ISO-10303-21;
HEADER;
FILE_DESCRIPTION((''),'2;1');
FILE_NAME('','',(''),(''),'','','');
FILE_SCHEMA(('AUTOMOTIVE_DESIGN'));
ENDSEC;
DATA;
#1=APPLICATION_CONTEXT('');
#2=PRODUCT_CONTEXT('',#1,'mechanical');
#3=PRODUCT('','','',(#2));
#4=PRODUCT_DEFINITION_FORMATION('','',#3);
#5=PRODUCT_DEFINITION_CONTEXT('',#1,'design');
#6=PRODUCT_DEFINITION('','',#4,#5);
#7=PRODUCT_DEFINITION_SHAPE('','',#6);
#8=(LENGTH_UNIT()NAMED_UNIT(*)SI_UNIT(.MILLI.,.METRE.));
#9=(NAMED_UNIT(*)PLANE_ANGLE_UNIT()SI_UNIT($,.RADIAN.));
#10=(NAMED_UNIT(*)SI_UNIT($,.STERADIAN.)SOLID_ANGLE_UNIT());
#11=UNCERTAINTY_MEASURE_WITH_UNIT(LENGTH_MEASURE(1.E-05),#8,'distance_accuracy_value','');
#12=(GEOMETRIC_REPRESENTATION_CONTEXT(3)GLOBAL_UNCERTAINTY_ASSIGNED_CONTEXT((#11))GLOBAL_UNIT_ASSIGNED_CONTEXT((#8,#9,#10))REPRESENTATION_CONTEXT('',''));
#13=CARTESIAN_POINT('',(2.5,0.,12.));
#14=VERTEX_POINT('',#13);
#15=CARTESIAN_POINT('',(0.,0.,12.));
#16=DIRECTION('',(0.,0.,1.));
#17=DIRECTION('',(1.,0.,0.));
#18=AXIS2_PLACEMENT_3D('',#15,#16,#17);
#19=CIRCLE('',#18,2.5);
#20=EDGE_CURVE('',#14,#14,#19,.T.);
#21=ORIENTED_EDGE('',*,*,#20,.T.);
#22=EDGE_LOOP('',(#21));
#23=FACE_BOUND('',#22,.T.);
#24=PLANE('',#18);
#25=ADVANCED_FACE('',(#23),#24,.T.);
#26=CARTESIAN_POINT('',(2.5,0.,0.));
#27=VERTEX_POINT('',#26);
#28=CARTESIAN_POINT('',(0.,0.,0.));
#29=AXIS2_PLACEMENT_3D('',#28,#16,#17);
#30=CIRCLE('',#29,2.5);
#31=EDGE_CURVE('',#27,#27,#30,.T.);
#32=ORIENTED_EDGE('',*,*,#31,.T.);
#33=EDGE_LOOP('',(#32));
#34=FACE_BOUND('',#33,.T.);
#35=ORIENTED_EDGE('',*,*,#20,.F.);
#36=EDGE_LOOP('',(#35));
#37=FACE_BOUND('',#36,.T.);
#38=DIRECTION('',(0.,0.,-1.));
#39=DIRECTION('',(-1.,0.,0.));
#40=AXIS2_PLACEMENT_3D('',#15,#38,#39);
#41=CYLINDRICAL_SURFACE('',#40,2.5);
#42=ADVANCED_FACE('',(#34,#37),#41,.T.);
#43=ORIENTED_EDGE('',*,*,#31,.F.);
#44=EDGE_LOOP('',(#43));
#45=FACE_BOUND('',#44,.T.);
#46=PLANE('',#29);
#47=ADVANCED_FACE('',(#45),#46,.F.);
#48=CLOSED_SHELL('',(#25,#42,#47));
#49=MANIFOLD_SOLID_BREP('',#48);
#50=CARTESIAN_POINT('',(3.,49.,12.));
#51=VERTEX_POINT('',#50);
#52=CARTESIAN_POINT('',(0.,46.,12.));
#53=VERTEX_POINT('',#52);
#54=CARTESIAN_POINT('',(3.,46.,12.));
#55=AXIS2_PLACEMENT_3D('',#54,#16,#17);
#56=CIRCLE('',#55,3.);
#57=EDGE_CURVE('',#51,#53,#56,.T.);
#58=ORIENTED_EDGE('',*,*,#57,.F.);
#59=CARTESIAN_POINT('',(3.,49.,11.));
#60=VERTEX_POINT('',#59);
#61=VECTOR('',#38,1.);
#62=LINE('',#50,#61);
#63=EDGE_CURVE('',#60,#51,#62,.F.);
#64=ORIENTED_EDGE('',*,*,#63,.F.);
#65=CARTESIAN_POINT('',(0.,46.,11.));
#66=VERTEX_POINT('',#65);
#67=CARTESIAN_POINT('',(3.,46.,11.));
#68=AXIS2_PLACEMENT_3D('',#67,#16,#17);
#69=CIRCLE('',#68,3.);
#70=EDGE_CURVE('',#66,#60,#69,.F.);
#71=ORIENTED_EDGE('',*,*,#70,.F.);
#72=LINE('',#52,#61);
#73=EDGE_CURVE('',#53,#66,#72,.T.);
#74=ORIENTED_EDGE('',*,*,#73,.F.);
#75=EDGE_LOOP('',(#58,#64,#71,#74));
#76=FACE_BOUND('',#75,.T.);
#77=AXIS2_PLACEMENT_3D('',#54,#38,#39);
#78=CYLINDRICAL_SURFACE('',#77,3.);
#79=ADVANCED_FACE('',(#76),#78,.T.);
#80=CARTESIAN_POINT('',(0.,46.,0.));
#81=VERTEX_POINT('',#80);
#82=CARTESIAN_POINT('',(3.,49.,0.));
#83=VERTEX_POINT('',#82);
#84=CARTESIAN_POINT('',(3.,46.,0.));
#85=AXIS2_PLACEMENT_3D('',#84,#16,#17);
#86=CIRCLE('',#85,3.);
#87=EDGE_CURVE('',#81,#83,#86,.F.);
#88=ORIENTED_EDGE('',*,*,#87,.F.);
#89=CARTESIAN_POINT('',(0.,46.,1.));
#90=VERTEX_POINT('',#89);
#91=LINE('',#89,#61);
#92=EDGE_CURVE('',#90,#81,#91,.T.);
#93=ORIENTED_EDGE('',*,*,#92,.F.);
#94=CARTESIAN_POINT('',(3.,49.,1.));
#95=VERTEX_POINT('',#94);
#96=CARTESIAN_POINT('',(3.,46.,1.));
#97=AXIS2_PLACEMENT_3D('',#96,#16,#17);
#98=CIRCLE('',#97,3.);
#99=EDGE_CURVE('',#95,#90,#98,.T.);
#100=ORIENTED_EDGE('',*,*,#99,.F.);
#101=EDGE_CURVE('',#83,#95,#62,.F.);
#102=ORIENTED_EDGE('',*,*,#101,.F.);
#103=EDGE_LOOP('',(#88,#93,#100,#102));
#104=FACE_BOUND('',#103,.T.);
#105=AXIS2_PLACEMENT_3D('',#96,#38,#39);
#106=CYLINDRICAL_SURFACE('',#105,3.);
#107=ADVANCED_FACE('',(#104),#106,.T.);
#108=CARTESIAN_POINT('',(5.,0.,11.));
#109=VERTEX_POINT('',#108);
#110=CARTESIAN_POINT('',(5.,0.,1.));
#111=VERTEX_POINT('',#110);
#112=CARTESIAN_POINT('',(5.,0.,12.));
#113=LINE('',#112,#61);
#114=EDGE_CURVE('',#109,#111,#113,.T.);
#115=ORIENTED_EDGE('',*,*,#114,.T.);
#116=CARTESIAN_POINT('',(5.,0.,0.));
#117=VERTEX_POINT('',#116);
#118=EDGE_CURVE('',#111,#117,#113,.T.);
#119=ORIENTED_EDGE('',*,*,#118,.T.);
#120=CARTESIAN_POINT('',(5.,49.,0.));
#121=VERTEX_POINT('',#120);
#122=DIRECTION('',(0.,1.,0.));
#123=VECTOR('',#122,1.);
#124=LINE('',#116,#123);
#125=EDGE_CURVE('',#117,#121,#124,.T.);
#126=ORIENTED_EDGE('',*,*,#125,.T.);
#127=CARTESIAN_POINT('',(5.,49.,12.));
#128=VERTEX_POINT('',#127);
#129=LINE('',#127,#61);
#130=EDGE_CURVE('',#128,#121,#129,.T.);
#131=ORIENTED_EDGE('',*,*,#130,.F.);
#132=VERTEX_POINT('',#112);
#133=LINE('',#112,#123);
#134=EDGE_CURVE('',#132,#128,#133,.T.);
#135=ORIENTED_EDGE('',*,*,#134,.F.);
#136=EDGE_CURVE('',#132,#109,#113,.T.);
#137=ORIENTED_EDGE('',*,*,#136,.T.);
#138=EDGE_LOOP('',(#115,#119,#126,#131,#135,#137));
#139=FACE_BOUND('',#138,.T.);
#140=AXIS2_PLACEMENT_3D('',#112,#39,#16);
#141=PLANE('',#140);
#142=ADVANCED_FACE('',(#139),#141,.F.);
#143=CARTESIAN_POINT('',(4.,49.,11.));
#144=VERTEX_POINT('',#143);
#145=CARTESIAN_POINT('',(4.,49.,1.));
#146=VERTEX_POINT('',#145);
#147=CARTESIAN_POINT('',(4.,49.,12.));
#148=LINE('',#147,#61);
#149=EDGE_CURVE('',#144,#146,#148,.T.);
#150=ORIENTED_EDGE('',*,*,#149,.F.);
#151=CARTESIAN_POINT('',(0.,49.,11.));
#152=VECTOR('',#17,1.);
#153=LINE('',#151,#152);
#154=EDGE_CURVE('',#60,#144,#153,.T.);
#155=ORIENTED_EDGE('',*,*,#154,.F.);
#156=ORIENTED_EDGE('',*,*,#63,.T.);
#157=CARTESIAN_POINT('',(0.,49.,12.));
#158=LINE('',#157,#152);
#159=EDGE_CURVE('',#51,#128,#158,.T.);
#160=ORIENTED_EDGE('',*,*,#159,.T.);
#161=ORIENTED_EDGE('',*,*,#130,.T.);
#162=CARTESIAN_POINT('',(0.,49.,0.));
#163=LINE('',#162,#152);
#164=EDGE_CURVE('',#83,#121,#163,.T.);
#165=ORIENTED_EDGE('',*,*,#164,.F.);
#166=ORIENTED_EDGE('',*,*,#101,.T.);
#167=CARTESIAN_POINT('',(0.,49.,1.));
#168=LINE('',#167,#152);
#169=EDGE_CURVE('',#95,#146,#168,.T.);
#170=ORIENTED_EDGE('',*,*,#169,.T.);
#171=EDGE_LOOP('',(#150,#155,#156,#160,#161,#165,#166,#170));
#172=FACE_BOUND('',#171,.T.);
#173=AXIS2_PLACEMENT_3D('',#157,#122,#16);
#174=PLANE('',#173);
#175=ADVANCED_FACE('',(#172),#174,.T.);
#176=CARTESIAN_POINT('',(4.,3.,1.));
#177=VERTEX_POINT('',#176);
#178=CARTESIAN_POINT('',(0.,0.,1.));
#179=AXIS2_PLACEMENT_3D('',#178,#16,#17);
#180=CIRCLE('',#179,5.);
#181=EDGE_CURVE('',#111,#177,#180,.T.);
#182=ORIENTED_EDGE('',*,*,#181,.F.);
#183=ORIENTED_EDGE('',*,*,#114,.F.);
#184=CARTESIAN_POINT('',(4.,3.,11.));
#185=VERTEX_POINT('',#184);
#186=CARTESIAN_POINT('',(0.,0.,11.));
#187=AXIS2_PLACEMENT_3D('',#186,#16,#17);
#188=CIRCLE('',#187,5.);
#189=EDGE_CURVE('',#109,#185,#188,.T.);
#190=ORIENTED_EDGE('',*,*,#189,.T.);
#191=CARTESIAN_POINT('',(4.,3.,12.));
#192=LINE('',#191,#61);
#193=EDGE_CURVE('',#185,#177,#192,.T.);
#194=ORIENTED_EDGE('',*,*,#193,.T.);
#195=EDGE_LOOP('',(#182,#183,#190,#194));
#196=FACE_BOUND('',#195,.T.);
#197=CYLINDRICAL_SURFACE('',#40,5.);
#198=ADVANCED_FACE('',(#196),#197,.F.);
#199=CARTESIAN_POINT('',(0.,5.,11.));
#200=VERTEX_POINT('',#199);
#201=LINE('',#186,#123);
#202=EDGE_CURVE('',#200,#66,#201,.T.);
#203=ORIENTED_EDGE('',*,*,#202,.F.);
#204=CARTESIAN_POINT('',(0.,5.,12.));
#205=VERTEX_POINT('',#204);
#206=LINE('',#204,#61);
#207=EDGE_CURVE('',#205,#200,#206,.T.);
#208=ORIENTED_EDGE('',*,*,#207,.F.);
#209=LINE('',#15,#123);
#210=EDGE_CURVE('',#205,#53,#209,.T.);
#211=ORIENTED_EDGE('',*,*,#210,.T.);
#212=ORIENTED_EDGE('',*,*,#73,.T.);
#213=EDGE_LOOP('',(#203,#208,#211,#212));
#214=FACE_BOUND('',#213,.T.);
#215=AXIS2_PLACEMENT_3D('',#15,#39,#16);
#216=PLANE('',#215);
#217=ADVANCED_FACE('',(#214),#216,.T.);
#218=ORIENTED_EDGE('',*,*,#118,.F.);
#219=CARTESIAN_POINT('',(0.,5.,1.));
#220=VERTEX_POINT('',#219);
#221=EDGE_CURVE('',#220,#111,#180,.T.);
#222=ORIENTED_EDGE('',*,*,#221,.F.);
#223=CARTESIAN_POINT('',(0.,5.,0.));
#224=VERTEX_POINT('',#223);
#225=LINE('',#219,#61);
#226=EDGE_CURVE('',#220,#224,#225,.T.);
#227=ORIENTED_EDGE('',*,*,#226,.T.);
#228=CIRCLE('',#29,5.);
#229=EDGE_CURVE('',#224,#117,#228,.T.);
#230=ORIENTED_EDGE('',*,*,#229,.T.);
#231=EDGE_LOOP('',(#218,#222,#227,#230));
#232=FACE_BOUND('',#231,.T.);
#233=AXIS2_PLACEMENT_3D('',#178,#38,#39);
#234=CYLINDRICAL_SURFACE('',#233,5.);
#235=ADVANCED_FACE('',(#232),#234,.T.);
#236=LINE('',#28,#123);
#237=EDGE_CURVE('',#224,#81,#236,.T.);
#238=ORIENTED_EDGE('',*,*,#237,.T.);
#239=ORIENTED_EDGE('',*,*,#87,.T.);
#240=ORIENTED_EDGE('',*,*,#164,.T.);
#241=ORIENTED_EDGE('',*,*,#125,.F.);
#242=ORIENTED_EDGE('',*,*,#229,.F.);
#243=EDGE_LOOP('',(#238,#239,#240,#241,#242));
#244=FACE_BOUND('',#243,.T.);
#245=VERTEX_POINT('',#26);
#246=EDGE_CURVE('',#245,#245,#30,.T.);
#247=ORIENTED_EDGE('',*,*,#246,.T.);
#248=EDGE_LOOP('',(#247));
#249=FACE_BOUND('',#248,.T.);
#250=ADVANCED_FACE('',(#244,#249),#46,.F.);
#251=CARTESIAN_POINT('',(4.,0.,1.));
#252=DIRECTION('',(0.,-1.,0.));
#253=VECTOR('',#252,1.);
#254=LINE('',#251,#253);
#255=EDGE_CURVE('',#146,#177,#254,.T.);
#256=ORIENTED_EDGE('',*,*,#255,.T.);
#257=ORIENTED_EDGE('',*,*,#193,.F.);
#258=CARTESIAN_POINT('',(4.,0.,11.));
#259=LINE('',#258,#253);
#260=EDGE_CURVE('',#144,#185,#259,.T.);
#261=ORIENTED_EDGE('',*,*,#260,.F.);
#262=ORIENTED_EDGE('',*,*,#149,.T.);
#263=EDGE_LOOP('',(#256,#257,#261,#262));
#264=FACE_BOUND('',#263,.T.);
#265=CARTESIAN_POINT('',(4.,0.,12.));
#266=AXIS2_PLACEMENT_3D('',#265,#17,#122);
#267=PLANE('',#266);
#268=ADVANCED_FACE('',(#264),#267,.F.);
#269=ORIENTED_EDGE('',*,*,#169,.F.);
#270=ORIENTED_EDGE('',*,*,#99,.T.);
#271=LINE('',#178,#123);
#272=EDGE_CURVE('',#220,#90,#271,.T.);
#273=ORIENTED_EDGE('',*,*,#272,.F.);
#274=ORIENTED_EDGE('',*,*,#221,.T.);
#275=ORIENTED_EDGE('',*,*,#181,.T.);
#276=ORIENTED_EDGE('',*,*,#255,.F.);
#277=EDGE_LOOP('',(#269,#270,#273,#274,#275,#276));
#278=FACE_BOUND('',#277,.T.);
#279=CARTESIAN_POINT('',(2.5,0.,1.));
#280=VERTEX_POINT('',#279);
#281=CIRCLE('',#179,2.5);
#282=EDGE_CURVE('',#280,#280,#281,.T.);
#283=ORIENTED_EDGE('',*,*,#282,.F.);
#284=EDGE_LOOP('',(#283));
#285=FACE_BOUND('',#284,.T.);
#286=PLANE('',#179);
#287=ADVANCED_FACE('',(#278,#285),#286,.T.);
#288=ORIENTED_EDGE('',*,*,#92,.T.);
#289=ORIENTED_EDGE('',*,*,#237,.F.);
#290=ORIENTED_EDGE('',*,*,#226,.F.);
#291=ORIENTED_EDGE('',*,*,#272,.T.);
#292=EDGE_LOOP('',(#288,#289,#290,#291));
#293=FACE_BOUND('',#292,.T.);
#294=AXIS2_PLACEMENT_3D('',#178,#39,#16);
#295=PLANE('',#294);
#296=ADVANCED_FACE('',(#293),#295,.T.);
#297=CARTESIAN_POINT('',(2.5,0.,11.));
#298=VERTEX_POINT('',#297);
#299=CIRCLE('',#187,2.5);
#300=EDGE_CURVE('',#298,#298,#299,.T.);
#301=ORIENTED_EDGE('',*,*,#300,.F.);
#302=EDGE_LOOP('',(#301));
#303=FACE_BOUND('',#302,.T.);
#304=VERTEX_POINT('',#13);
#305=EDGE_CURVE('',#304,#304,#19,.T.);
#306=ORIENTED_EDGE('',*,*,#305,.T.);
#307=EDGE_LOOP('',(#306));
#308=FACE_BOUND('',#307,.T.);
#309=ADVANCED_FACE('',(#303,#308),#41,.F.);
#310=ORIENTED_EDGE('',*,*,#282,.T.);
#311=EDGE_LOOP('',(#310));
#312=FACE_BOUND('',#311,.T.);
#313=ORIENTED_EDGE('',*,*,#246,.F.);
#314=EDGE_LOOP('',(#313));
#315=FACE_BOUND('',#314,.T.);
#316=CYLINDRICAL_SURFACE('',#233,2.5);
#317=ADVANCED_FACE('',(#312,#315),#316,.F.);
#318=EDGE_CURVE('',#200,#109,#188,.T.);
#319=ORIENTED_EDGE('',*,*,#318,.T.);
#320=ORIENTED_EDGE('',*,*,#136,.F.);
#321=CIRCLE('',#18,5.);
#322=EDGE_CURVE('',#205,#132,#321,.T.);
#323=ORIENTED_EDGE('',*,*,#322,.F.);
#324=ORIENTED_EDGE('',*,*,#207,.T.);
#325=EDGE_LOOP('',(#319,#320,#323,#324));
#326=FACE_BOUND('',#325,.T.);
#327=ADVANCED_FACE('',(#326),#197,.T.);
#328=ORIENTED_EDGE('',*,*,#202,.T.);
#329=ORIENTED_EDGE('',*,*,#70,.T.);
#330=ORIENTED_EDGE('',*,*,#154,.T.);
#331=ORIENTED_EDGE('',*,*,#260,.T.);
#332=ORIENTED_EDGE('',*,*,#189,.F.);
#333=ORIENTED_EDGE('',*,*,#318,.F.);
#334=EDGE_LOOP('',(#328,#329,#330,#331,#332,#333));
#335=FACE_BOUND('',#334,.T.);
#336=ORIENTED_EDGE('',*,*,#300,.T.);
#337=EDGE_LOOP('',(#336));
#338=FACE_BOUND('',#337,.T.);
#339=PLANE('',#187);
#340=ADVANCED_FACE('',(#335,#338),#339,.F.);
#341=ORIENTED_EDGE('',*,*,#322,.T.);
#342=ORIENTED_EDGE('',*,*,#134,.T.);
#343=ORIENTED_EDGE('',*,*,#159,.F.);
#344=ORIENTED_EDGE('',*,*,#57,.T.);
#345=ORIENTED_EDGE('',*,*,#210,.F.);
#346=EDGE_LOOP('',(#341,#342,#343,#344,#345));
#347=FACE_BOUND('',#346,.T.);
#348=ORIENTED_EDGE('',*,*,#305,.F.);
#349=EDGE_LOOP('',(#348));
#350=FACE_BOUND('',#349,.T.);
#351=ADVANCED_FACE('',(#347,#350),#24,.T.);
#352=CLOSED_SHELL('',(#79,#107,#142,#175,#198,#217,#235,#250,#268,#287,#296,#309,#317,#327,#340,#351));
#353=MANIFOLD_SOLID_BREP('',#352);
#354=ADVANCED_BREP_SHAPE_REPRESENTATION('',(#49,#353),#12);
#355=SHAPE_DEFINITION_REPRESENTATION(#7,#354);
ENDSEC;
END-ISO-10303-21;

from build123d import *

# Parameters (mm, degrees)
BOSS_EXTRUDE1_DEPTH   = 12
SKETCH1_R             = 2.5
BOSS_EXTRUDE1_2_DEPTH = 12
SKETCH1_4_R           = 2.5
BOSS_EXTRUDE2_DEPTH   = 1
BOSS_EXTRUDE3_START   = 11
SKETCH1_5_R           = 2.5
BOSS_EXTRUDE3_DEPTH   = 1
FILLET1_R             = 3


with BuildPart() as part:
    # Sketch1 → Boss-Extrude1 (new body)
    with BuildSketch(Plane.XY):
        with BuildLine():
            ThreePointArc((4, 3), (4.74341649, 1.58113883), (5, 0))
            Line((5, 0), (5, 49))
            Line((5, 49), (4, 49))
            Line((4, 49), (4, 3))
        make_face()
    extrude(amount=BOSS_EXTRUDE1_DEPTH)

    # Sketch1<4> → Boss-Extrude2 (add)
    with BuildSketch(Plane.XY):
        with BuildLine():
            ThreePointArc((0, 5), (-2.236067977, -4.472135955), (4, 3))
            Line((4, 3), (4, 49))
            Line((4, 49), (0, 49))
            Line((0, 49), (0, 5))
        make_face()
        Circle(SKETCH1_4_R, mode=Mode.SUBTRACT)
    extrude(amount=BOSS_EXTRUDE2_DEPTH)

    # Sketch1<5> → Boss-Extrude3 (add)
    with BuildSketch(Plane.XY.offset(BOSS_EXTRUDE3_START)):
        with BuildLine():
            ThreePointArc((0, 5), (-2.236067977, -4.472135955), (4, 3))
            Line((4, 3), (4, 49))
            Line((4, 49), (0, 49))
            Line((0, 49), (0, 5))
        make_face()
        Circle(SKETCH1_5_R, mode=Mode.SUBTRACT)
    extrude(amount=BOSS_EXTRUDE3_DEPTH)

    # Fillet1
    fillet1_edges = [part.edges().sort_by_distance(p)[0] for p in [
        (0, 49, 0.5),
        (0, 49, 11.5),
    ]]
    fillet(fillet1_edges, radius=FILLET1_R)


with BuildPart() as body_2:
    # Sketch1 → Boss-Extrude1 2 (new body)
    with BuildSketch(Plane.XY):
        Circle(SKETCH1_R)
    extrude(amount=BOSS_EXTRUDE1_2_DEPTH)


solid = Compound([part.part, body_2.part])
